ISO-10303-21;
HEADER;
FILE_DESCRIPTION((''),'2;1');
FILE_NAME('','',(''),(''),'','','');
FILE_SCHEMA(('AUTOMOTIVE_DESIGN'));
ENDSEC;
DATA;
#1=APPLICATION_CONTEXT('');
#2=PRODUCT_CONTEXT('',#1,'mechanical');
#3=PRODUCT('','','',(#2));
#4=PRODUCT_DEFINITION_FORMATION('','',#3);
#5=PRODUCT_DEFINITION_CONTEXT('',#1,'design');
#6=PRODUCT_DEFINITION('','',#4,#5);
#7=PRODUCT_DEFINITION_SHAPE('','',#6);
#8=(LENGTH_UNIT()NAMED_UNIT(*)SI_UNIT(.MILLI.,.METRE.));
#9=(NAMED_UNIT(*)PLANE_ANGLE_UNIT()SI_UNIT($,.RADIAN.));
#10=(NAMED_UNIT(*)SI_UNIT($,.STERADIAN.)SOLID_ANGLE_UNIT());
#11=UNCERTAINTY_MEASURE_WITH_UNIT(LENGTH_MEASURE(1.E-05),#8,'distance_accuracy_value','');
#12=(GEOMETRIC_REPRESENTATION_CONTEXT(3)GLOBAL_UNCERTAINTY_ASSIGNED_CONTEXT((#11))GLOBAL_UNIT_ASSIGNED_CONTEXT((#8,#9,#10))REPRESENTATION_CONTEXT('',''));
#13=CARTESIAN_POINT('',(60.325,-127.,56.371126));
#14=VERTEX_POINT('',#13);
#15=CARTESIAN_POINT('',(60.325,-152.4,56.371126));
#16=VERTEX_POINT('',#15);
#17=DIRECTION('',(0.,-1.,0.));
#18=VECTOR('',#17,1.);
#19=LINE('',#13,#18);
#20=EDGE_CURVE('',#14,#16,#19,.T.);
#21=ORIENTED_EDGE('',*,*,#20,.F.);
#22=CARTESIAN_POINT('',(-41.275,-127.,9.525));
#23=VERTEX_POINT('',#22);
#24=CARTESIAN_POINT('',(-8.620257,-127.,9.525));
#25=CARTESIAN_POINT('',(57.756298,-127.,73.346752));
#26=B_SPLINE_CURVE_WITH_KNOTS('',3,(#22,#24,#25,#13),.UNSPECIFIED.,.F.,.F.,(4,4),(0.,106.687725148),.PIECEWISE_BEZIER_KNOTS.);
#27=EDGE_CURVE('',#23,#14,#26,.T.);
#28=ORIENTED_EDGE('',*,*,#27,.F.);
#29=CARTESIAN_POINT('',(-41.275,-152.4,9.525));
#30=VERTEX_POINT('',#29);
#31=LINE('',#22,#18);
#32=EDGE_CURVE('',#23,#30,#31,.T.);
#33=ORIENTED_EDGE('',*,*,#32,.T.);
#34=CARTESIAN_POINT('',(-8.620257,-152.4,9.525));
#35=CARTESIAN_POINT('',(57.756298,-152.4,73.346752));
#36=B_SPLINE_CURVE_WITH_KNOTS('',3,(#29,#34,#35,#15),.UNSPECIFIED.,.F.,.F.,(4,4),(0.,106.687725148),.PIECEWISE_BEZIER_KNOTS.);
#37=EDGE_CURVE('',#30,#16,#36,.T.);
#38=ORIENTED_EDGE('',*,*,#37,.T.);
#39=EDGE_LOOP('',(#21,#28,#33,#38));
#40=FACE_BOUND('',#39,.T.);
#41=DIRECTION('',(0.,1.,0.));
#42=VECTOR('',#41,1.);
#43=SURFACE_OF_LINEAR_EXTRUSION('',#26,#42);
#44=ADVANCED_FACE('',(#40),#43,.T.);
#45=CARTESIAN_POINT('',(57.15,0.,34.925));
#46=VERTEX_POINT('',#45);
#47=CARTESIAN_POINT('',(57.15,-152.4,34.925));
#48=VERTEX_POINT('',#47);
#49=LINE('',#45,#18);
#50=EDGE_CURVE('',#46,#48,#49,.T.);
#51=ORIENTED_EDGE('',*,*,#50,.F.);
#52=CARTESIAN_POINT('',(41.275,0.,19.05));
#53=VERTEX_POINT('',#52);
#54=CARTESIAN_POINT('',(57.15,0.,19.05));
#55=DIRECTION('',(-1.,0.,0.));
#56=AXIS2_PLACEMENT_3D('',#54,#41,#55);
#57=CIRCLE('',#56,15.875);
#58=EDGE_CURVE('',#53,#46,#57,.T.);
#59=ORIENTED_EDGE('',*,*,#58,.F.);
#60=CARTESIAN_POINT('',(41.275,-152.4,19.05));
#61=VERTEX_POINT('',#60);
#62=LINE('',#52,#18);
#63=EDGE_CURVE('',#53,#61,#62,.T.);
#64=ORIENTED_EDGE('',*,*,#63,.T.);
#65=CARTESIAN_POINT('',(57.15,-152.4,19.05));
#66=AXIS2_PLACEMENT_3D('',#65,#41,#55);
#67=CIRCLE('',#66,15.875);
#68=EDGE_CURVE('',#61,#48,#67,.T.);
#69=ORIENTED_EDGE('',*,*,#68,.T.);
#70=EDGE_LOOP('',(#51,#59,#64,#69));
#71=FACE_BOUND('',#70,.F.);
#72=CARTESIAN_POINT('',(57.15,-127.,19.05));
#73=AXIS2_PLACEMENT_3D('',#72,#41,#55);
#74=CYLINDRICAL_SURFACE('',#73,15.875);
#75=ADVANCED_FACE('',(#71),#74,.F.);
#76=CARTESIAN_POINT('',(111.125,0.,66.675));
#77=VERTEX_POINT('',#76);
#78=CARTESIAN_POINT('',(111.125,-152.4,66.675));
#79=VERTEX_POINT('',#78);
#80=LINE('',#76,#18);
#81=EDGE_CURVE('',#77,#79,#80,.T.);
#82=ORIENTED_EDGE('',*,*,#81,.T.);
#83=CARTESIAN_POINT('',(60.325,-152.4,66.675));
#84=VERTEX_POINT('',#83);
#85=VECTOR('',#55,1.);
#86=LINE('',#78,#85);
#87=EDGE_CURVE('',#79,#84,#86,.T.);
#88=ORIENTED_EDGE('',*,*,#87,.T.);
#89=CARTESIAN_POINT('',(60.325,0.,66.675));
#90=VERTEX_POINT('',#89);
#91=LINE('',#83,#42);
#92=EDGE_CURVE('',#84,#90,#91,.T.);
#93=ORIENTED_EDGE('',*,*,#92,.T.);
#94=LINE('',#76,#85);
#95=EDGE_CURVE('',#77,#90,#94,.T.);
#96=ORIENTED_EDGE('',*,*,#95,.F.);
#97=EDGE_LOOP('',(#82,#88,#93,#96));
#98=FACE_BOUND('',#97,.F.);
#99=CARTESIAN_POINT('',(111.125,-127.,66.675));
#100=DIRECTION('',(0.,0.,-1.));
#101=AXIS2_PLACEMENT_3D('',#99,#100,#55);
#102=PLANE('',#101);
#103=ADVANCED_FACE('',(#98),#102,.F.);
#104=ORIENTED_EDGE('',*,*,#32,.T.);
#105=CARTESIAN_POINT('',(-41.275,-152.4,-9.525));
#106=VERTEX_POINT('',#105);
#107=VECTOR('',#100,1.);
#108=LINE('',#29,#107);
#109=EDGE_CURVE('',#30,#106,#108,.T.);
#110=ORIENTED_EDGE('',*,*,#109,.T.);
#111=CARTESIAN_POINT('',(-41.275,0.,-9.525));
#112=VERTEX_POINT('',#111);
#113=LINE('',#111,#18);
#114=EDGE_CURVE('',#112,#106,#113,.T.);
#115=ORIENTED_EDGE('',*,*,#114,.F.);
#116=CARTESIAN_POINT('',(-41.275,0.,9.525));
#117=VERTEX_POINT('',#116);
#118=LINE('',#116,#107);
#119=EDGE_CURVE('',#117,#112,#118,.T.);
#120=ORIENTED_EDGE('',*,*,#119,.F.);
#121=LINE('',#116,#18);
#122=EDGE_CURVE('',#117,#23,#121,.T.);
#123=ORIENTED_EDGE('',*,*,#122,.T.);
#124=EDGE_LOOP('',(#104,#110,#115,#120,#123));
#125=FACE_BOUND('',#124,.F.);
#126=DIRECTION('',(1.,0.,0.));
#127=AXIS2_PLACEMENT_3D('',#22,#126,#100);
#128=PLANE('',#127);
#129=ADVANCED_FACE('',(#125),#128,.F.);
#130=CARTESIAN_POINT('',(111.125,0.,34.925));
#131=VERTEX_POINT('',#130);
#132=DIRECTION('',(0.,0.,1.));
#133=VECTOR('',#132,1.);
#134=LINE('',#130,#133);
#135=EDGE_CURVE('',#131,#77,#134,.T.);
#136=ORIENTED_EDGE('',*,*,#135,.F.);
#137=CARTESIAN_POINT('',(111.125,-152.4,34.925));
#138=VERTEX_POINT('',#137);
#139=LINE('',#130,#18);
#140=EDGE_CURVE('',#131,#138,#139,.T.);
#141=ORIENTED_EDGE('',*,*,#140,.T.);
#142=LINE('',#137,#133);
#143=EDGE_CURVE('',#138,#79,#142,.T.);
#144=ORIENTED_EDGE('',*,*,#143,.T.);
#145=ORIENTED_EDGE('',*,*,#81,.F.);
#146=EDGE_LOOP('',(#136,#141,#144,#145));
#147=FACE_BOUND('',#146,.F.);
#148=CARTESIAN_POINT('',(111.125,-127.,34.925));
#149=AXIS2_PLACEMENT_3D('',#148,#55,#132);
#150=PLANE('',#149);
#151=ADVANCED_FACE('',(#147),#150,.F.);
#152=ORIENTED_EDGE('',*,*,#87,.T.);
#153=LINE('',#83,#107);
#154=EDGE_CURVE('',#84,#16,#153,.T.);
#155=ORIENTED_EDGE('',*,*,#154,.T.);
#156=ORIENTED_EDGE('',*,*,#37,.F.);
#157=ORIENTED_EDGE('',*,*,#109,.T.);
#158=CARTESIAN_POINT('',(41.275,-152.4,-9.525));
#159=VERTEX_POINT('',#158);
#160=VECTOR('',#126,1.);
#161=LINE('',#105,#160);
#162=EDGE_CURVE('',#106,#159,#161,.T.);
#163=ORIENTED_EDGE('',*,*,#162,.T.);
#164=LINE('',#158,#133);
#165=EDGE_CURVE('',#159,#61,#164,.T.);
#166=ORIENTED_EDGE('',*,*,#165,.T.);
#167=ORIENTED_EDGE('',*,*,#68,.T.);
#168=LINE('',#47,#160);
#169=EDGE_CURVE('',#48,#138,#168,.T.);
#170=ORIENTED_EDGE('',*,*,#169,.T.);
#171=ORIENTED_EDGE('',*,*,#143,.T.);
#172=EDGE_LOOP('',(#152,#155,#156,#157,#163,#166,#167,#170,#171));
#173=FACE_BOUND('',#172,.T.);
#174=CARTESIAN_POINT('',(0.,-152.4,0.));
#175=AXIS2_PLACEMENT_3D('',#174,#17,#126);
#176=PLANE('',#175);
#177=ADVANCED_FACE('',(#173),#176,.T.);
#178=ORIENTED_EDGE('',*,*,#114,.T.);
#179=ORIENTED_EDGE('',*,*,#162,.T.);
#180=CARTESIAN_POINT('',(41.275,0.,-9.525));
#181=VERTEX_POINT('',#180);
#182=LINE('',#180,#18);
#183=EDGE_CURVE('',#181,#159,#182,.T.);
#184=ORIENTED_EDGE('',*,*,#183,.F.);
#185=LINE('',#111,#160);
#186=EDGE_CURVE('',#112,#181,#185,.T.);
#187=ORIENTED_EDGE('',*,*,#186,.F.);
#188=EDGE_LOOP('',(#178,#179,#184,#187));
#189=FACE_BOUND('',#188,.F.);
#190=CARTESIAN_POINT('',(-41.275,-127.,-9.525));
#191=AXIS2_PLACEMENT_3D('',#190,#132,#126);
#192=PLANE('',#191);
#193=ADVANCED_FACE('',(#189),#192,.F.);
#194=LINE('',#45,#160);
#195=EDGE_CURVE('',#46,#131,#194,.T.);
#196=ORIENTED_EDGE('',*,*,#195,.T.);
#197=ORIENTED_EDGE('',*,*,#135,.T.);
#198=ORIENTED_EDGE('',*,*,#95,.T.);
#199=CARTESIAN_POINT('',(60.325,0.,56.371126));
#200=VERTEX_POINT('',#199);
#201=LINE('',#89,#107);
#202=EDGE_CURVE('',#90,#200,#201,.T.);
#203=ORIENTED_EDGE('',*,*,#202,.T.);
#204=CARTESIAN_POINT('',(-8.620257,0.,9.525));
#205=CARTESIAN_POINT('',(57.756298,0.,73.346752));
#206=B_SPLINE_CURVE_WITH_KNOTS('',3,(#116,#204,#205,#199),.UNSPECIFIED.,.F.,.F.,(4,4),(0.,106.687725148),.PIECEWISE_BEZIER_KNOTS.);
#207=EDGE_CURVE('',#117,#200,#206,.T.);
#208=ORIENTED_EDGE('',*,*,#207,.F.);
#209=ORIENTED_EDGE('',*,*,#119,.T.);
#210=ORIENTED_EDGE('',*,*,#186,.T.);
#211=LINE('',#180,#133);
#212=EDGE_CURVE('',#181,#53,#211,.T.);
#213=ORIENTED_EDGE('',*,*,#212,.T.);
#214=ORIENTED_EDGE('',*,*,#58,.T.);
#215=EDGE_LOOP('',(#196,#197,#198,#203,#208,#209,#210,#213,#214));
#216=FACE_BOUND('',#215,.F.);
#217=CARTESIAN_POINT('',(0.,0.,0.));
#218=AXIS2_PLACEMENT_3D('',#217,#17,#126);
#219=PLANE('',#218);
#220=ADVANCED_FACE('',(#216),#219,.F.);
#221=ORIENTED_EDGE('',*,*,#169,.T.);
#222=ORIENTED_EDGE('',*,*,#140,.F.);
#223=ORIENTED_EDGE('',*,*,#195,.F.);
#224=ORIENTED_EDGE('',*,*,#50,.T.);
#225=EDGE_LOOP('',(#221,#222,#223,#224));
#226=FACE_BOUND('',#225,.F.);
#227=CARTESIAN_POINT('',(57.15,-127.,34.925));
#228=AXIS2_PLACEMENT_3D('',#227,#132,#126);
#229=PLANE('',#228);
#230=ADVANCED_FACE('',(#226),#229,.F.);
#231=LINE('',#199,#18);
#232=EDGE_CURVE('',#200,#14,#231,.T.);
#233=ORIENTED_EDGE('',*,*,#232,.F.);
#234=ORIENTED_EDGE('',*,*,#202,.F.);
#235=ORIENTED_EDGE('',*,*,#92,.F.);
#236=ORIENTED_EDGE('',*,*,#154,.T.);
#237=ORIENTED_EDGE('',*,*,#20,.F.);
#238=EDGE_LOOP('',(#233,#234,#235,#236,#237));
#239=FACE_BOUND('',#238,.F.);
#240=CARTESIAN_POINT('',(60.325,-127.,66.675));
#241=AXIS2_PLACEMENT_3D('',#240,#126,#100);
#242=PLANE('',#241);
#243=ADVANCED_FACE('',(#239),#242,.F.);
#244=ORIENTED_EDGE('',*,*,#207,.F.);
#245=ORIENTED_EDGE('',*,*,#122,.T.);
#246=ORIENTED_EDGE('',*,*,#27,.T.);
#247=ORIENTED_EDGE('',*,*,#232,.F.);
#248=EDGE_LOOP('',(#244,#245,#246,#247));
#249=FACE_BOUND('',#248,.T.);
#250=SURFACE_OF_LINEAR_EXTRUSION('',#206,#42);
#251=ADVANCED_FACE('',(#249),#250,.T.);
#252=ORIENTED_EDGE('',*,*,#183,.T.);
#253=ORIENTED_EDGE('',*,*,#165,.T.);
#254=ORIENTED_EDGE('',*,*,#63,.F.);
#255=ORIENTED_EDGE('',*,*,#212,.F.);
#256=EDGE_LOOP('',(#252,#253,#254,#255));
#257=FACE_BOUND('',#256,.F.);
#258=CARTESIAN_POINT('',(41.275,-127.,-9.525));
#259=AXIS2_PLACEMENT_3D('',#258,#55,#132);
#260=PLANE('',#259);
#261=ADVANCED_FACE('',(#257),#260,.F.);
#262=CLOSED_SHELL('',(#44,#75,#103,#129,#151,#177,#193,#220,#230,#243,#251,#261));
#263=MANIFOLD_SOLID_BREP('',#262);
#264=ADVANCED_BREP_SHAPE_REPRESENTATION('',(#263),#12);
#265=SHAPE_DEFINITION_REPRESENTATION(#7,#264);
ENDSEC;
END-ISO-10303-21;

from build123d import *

# Parameters (mm, degrees)
F1_DEPTH = 127
F2_DEPTH = 25.4


with BuildPart() as f1:
    # F0 (on Front) → F1 (new body)
    with BuildSketch(Plane.XZ):
        Polygon((-41.275, 9.525), (-41.275, -9.525), (41.275, -9.525), (41.275, 9.525), (22.225, 9.525), align=None)
        with BuildLine():
            add(Edge.make_bspline(
                [(-41.275, 9.525), (-8.6202568682, 9.525), (57.7562975598, 73.3467516444), (60.325, 56.3711255966)],
                knots=[0, 0, 0, 0, 106.6877251483, 106.6877251483, 106.6877251483, 106.6877251483], degree=3))
            Line((-41.275, 9.525), (22.225, 9.525))
            Line((22.225, 9.525), (22.225, 19.05))
            ThreePointArc((22.225, 19.05), (32.4542956671, 43.7457043329), (57.15, 53.975))
            Line((57.15, 53.975), (60.325, 53.975))
            Line((60.325, 53.975), (60.325, 56.3711255966))
        make_face()
        with BuildLine():
            Line((22.225, 9.525), (41.275, 9.525))
            Line((41.275, 9.525), (41.275, 19.05))
            ThreePointArc((41.275, 19.05), (45.9246798487, 30.2753201513), (57.15, 34.925))
            Line((57.15, 34.925), (60.325, 34.925))
            Line((60.325, 34.925), (60.325, 53.975))
            Line((60.325, 53.975), (57.15, 53.975))
            ThreePointArc((57.15, 53.975), (32.4542956671, 43.7457043329), (22.225, 19.05))
            Line((22.225, 19.05), (22.225, 9.525))
        make_face()
        with BuildLine():
            add(Edge.make_bspline(
                [(60.325, 56.3711255966), (60.4263696567, 55.7012101725), (60.4283676683, 54.9054643358), (60.325, 53.975)],
                knots=[106.6877251483, 106.6877251483, 106.6877251483, 106.6877251483, 110.8979823982, 110.8979823982, 110.8979823982, 110.8979823982], degree=3))
            Line((60.325, 56.3711255966), (60.325, 53.975))
        make_face()
        with BuildLine():
            Line((60.325, 66.675), (60.325, 56.3711255966))
            add(Edge.make_bspline(
                [(60.325, 56.3711255966), (60.4263696567, 55.7012101725), (60.4283676683, 54.9054643358), (60.325, 53.975)],
                knots=[106.6877251483, 106.6877251483, 106.6877251483, 106.6877251483, 110.8979823982, 110.8979823982, 110.8979823982, 110.8979823982], degree=3))
            Line((60.325, 53.975), (60.325, 34.925))
            Line((60.325, 34.925), (73.2388391052, 34.925))
            Line((73.2388391052, 34.925), (111.125, 34.925))
            Line((111.125, 34.925), (111.125, 66.675))
            Line((111.125, 66.675), (60.325, 66.675))
        make_face()
    extrude(amount=F1_DEPTH)

    # F2 (add): faces of the model
    f2_faces = [f1.faces().sort_by_distance(p)[0] for p in [
        (36.5781101492, -127, 26.7856673902),
        (36.5781101492, -127, 26.7856673902),
    ]]
    extrude(f2_faces, amount=F2_DEPTH)


solid = f1.part
